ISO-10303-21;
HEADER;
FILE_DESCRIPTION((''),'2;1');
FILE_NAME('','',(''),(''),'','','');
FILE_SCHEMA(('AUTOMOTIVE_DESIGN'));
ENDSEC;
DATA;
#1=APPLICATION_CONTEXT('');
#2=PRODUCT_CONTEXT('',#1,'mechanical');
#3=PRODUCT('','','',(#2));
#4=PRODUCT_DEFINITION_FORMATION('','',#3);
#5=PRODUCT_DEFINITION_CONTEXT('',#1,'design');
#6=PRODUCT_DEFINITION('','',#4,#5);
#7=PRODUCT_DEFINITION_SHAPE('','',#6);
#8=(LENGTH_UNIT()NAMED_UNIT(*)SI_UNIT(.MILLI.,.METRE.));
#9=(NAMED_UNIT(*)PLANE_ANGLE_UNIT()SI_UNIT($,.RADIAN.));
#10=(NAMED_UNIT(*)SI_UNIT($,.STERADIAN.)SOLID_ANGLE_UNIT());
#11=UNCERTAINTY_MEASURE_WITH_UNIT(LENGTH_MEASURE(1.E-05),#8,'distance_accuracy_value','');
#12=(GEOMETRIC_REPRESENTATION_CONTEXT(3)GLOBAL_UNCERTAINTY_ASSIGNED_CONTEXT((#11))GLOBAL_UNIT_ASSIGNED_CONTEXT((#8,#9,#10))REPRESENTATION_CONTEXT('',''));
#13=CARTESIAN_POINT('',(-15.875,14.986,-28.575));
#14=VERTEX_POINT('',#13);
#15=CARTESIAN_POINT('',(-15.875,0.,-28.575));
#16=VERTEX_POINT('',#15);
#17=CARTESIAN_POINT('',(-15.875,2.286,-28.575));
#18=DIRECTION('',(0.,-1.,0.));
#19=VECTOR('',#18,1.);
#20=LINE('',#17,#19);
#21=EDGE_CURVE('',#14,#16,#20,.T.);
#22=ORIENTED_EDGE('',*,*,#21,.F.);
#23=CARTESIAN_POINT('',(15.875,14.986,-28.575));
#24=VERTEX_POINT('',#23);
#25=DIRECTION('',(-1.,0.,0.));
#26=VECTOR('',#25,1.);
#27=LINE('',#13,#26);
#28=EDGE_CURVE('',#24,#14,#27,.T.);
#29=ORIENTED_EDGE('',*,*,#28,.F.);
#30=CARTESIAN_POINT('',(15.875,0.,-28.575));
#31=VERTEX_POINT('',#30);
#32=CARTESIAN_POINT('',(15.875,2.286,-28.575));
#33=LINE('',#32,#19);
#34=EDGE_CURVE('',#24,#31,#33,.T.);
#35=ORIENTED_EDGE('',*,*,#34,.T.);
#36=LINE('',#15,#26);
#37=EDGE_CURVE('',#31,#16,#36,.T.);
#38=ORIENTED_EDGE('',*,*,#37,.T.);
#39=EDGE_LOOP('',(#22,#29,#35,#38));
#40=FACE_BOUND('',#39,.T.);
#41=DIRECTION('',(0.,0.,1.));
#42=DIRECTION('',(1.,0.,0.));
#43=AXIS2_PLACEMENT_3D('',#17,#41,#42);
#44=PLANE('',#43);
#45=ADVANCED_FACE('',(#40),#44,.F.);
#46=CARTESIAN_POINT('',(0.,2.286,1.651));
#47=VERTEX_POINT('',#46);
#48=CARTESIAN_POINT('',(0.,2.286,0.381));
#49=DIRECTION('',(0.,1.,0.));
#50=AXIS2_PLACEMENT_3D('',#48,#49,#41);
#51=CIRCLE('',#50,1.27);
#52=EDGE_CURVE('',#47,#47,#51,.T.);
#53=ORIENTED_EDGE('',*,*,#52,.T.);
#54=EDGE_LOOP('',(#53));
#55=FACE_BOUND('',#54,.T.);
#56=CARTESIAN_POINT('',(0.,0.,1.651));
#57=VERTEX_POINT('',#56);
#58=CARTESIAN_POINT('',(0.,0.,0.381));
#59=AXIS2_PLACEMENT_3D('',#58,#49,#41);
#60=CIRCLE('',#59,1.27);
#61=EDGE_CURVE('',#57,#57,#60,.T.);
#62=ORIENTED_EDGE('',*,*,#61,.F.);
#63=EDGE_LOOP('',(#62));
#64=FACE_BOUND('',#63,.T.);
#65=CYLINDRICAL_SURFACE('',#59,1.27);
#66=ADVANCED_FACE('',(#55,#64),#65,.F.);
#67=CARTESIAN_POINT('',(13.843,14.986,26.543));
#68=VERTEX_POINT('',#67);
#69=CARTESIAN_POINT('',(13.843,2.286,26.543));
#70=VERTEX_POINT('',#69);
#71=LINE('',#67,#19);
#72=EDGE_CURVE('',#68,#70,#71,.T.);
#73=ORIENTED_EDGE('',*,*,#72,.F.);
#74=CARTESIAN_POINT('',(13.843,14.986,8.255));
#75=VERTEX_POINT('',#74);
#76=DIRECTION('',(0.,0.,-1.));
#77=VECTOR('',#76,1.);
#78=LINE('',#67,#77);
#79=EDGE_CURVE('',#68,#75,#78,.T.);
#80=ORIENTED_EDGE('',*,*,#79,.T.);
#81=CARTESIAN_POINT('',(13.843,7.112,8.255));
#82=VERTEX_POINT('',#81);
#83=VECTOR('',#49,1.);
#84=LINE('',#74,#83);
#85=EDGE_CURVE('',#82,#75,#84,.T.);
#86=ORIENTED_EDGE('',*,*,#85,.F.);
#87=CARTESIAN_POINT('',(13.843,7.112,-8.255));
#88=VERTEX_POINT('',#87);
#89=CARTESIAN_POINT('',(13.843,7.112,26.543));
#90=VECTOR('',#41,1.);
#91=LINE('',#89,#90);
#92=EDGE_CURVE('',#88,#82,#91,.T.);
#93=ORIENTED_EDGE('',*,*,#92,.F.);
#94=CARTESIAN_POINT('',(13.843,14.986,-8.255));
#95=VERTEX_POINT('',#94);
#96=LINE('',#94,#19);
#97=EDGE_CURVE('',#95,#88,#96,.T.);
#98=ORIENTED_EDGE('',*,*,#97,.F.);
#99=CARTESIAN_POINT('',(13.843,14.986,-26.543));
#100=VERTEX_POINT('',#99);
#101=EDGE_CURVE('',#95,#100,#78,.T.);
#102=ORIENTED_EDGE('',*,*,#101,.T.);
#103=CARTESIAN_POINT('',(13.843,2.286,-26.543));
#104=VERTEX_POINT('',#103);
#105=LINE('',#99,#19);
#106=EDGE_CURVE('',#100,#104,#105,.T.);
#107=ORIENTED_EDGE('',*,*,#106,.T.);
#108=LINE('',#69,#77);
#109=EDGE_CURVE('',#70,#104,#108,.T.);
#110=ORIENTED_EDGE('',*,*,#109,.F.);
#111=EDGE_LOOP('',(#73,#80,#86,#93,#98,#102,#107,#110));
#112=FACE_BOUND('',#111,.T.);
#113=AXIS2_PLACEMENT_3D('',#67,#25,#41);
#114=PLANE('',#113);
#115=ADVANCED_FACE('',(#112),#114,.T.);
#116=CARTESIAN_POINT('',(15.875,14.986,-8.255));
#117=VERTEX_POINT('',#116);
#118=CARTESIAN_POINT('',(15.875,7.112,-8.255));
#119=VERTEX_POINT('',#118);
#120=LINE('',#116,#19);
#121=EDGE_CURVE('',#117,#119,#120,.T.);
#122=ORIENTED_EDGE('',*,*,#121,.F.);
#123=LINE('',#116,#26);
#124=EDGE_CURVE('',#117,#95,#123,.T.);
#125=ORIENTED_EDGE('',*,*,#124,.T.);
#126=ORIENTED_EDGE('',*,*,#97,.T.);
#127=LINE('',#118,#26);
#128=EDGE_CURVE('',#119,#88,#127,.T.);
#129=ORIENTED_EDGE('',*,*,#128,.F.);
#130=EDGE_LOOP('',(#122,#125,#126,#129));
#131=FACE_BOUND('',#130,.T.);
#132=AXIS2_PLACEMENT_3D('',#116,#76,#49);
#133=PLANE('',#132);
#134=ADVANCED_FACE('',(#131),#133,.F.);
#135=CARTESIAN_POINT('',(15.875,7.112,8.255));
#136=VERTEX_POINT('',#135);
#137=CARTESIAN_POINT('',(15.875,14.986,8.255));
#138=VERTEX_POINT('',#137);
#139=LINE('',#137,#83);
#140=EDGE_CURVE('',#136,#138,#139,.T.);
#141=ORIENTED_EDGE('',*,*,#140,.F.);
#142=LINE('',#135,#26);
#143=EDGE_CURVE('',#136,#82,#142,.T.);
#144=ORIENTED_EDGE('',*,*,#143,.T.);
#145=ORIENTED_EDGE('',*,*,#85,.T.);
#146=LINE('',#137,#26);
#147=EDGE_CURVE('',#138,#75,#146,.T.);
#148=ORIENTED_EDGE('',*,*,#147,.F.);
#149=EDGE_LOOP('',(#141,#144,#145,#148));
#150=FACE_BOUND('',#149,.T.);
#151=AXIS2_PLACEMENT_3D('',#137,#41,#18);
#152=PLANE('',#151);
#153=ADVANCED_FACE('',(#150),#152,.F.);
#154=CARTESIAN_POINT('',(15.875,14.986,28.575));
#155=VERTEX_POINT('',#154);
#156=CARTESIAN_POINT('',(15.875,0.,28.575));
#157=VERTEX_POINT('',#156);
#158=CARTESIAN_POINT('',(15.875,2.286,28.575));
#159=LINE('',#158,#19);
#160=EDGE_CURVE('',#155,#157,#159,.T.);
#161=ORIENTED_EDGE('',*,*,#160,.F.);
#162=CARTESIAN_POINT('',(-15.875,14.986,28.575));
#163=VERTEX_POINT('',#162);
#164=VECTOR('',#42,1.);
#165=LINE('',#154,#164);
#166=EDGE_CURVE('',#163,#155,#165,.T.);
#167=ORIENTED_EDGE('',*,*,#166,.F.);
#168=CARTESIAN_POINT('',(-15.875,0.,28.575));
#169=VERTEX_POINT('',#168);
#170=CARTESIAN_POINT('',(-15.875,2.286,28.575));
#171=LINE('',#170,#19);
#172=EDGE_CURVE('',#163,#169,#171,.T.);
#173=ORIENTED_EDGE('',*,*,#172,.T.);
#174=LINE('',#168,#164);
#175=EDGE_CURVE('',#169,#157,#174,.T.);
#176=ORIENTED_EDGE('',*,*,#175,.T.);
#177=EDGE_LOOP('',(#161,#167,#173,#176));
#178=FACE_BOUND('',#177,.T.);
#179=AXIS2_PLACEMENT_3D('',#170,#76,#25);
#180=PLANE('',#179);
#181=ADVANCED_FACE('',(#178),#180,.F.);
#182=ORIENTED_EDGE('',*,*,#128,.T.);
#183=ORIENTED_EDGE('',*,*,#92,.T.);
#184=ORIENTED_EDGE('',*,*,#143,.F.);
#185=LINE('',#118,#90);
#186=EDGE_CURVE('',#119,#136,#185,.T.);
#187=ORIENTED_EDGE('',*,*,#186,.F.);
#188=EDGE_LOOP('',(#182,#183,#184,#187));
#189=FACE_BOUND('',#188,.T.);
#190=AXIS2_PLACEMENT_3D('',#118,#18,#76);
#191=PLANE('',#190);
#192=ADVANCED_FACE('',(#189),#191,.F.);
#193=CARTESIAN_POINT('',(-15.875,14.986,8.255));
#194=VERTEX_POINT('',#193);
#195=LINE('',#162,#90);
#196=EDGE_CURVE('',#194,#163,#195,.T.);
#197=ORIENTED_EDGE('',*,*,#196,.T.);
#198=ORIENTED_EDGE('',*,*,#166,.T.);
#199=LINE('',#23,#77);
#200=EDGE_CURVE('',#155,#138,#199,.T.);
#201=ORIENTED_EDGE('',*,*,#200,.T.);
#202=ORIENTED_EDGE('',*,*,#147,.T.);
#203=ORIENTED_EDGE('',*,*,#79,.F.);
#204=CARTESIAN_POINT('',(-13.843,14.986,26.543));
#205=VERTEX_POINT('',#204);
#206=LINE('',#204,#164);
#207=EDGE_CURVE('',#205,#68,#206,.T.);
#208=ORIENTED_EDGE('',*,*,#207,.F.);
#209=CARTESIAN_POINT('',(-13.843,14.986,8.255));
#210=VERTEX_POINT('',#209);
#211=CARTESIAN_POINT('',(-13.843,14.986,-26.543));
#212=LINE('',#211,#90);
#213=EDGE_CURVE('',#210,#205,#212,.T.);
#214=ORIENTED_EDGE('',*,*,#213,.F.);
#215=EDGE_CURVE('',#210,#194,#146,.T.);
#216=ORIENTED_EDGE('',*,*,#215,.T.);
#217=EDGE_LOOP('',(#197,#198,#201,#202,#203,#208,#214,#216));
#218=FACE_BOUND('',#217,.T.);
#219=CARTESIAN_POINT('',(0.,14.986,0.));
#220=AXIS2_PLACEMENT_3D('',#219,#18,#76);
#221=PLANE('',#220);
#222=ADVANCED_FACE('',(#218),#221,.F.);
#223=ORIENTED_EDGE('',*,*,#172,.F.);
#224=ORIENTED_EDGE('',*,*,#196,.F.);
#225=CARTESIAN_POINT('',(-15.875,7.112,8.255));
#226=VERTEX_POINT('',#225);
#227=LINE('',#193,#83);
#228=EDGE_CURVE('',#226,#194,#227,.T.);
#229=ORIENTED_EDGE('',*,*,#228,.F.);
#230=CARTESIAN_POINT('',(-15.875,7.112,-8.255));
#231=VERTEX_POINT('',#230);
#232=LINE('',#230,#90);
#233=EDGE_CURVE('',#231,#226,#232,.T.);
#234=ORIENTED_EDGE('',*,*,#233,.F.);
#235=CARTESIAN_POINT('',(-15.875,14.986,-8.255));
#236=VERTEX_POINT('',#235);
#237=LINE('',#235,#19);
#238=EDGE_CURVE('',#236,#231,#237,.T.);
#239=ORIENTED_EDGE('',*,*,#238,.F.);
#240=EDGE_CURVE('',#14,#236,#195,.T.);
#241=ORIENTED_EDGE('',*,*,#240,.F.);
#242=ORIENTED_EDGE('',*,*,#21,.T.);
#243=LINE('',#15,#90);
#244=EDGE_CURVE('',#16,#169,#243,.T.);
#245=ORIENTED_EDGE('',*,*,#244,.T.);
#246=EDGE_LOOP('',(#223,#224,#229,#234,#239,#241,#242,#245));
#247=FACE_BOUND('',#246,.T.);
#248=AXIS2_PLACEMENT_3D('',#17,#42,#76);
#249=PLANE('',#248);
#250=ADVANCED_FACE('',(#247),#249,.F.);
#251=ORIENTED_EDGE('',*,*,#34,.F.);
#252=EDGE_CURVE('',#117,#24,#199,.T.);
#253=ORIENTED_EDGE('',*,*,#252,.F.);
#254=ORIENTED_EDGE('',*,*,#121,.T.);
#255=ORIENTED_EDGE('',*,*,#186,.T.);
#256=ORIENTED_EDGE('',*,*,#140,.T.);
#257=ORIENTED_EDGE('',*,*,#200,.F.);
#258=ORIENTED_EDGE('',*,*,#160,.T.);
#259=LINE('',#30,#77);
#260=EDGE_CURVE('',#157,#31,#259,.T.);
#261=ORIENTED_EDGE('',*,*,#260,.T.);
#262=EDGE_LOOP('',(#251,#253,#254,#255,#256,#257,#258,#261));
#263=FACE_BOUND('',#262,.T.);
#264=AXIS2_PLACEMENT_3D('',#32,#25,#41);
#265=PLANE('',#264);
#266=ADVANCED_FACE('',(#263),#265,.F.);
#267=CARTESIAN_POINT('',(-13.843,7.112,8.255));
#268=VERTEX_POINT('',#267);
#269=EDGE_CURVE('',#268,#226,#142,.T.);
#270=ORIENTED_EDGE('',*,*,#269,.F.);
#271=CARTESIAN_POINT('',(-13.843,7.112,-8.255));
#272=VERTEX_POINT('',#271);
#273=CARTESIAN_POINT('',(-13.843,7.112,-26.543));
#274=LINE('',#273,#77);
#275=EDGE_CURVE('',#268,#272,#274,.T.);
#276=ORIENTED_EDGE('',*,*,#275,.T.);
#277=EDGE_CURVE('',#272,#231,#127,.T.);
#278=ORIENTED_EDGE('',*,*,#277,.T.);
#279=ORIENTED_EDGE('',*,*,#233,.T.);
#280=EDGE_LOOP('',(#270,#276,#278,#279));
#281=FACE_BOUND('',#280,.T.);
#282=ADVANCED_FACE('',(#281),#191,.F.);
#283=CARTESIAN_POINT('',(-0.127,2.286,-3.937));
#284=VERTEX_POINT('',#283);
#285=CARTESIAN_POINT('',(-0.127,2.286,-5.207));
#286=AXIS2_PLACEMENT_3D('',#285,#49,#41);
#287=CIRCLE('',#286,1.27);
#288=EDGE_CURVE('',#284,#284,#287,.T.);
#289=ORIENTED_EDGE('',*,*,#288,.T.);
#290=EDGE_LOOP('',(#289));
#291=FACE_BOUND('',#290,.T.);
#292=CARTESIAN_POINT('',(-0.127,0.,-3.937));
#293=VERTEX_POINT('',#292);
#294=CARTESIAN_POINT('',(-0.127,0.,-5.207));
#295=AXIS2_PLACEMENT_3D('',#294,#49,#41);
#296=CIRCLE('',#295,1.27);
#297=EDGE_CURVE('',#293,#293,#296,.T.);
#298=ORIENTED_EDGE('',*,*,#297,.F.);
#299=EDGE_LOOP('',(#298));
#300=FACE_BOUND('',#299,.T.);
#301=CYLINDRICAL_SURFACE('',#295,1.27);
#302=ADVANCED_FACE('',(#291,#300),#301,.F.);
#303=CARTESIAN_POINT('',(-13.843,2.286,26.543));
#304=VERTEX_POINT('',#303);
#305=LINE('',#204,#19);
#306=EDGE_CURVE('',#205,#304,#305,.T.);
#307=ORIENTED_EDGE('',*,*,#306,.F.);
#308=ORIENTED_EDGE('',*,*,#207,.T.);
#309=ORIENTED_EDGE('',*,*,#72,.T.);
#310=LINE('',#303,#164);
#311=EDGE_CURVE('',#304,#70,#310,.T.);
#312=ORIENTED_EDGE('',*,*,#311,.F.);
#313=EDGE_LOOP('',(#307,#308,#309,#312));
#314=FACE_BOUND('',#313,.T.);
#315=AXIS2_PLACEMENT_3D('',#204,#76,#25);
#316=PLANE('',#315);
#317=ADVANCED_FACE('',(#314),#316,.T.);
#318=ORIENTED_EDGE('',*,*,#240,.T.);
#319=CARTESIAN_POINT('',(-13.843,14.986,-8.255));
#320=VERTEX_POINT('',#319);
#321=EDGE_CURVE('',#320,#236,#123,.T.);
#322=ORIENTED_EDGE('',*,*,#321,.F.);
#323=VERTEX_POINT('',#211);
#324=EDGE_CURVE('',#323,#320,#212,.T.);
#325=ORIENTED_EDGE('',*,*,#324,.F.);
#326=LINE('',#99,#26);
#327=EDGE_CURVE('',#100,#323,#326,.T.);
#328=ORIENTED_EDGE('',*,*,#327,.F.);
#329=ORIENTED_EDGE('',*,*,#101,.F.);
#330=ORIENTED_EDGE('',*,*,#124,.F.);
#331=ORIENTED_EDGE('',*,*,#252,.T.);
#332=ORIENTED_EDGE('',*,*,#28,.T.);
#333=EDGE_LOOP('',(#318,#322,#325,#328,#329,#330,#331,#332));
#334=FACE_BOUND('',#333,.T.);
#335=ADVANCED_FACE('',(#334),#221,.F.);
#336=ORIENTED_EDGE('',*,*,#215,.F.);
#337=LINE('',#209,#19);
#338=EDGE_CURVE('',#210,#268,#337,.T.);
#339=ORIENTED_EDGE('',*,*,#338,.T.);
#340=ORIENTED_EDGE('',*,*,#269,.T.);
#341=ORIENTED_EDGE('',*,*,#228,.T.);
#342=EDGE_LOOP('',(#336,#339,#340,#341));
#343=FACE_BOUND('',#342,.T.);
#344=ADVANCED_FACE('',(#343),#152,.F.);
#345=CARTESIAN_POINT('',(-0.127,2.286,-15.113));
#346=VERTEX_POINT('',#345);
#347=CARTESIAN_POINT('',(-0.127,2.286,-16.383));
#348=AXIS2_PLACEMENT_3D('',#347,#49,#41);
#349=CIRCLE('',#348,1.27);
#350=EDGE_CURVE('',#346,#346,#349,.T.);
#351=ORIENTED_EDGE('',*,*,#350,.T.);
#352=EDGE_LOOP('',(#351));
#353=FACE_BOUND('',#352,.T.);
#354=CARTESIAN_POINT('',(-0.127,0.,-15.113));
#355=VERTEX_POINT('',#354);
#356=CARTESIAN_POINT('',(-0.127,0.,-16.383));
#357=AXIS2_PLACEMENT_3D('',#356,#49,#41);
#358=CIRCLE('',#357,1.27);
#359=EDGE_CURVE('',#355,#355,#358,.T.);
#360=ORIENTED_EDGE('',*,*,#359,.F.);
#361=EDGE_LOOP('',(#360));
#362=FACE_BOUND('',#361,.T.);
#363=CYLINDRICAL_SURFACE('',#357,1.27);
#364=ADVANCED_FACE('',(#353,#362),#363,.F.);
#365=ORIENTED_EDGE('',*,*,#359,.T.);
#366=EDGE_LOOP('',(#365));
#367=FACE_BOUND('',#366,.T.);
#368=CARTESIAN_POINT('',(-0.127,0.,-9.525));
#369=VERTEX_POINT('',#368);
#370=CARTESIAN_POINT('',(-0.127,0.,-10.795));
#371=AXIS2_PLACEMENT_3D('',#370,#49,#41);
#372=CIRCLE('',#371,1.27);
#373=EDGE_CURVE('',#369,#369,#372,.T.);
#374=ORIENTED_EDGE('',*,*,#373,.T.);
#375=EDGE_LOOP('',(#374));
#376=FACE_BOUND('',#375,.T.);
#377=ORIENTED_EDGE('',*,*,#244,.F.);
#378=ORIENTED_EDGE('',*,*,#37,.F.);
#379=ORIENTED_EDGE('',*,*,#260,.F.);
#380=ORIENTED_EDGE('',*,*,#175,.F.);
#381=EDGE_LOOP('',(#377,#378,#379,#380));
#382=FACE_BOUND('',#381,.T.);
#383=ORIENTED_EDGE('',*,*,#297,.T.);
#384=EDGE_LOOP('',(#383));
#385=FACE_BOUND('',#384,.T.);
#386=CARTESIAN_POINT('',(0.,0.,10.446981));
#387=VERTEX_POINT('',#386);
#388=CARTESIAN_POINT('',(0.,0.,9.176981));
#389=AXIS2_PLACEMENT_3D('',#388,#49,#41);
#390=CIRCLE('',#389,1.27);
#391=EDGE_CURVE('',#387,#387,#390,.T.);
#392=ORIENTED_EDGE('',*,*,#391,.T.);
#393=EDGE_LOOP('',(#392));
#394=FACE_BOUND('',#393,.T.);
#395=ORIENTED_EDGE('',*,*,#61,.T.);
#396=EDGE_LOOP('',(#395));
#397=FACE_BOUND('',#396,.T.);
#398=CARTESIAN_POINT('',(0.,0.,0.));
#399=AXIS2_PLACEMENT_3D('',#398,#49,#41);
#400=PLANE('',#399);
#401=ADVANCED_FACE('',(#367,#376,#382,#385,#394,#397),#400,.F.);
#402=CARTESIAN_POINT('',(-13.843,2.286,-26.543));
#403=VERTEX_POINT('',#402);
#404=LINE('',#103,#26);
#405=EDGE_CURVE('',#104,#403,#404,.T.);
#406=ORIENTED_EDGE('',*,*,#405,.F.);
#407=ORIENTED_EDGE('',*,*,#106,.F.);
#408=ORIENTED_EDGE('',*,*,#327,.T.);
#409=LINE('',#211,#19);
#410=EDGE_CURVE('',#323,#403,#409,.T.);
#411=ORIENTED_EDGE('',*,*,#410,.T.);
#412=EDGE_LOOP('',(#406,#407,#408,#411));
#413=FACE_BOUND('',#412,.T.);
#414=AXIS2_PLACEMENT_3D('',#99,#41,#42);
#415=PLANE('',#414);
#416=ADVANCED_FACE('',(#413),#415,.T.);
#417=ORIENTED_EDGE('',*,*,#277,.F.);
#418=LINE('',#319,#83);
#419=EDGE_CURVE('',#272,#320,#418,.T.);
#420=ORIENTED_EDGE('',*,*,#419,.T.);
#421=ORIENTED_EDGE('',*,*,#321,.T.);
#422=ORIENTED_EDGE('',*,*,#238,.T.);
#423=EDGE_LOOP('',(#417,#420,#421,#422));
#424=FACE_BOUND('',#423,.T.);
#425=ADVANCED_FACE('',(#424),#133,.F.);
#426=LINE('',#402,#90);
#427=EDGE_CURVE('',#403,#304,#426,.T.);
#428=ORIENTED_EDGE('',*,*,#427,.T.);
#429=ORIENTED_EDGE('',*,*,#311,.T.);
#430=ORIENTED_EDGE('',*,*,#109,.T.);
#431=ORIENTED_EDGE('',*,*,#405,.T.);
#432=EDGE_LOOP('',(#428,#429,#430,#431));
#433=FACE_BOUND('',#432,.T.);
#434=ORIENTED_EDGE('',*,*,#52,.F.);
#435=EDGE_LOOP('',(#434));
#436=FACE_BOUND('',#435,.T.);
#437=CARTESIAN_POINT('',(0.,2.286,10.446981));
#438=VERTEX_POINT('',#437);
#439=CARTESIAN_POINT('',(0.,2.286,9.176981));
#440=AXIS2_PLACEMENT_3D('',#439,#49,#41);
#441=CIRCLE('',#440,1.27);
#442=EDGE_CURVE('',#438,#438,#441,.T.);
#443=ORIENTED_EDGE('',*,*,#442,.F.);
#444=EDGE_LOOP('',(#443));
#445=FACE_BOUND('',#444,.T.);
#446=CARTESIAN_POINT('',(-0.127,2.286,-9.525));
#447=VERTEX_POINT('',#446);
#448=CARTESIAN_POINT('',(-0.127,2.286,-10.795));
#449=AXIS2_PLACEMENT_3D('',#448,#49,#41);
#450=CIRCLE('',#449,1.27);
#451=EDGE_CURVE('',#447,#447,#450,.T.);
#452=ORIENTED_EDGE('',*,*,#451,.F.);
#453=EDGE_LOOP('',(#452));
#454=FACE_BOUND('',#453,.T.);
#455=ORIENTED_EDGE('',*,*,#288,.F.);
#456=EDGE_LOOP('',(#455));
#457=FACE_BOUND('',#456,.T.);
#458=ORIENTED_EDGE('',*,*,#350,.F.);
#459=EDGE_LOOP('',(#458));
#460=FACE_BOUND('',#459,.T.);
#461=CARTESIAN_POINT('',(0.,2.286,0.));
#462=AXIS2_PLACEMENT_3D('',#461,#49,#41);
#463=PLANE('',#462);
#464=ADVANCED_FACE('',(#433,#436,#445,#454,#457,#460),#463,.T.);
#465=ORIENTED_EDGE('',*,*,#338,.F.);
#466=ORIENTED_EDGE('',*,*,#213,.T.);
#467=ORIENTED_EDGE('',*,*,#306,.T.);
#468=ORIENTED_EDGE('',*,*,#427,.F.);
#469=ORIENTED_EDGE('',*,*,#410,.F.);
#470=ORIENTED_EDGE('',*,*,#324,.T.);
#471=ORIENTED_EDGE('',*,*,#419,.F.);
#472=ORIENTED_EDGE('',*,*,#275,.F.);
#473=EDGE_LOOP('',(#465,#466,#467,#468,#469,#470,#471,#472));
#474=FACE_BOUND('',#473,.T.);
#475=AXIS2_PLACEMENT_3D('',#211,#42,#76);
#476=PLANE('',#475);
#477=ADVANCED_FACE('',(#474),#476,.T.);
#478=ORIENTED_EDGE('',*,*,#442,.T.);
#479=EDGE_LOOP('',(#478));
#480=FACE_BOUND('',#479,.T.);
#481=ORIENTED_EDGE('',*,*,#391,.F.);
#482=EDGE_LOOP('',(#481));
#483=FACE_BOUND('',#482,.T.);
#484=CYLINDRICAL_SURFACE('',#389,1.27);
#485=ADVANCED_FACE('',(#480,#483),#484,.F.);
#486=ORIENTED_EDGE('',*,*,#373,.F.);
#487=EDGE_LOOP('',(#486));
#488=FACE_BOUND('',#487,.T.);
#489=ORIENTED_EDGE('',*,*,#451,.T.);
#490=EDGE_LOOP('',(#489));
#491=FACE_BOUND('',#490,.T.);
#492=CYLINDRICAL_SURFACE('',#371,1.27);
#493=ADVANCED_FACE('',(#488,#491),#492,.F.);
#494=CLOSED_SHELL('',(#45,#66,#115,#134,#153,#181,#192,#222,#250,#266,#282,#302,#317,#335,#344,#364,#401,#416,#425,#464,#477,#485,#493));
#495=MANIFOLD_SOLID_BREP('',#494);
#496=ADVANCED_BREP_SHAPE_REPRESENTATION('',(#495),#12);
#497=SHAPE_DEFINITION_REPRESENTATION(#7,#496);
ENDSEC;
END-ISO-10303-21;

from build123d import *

# Parameters (mm, degrees)
SKETCH1_W           = 31.75
SKETCH1_H           = 57.15
BOSS_EXTRUDE1_DEPTH = 2.286
SKETCH2_W           = 31.75
SKETCH2_H           = 57.15
SKETCH2_W_2         = 27.686
SKETCH2_H_2         = 53.086
BOSS_EXTRUDE2_DEPTH = 12.7
SKETCH3_R           = 1.27
CUT_EXTRUDE1_DEPTH  = 36.06902123
SKETCH4_W           = 16.51
SKETCH4_H           = 7.874
CUT_EXTRUDE2_DEPTH  = 46.267795628


with BuildPart() as part:
    # Sketch1 → Boss-Extrude1 (new body)
    with BuildSketch(Plane(origin=(0, 0, 0), x_dir=(1, 0, 0), z_dir=(0, 1, 0))):
        Rectangle(SKETCH1_W, SKETCH1_H)
    extrude(amount=BOSS_EXTRUDE1_DEPTH)

    # Sketch2 → Boss-Extrude2 (add)
    with BuildSketch(Plane(origin=(0, 2.286, 0), x_dir=(1, 0, 0), z_dir=(0, 1, 0))):
        Rectangle(SKETCH2_W, SKETCH2_H)
        Rectangle(SKETCH2_W_2, SKETCH2_H_2, mode=Mode.SUBTRACT)
    extrude(amount=BOSS_EXTRUDE2_DEPTH)

    # Sketch3 → Cut-Extrude1 (cut, through all)
    with BuildSketch(Plane(origin=(0, 2.286, 0), x_dir=(1, 0, 0), z_dir=(0, 1, 0))):
        with Locations(Location((-0.127, 16.383, 0), (0, 0, 270))):
            Circle(SKETCH3_R)
        with Locations(Location((-0.127, 10.795, 0), (0, 0, 270))):
            Circle(SKETCH3_R)
        with Locations(Location((-0.127, 5.207, 0), (0, 0, 270))):
            Circle(SKETCH3_R)
        with Locations(Location((0, -0.381, 0), (0, 0, 270))):
            Circle(SKETCH3_R)
        with Locations(Location((0, -9.176980695, 0), (0, 0, 270))):
            Circle(SKETCH3_R)
    extrude(amount=-CUT_EXTRUDE1_DEPTH, mode=Mode.SUBTRACT)

    # Sketch4 → Cut-Extrude2 (cut, through all)
    with BuildSketch(Plane.ZY.offset(15.875)):
        with Locations((0, 11.049)):
            Rectangle(SKETCH4_W, SKETCH4_H)
    extrude(amount=-CUT_EXTRUDE2_DEPTH, mode=Mode.SUBTRACT)


solid = part.part
